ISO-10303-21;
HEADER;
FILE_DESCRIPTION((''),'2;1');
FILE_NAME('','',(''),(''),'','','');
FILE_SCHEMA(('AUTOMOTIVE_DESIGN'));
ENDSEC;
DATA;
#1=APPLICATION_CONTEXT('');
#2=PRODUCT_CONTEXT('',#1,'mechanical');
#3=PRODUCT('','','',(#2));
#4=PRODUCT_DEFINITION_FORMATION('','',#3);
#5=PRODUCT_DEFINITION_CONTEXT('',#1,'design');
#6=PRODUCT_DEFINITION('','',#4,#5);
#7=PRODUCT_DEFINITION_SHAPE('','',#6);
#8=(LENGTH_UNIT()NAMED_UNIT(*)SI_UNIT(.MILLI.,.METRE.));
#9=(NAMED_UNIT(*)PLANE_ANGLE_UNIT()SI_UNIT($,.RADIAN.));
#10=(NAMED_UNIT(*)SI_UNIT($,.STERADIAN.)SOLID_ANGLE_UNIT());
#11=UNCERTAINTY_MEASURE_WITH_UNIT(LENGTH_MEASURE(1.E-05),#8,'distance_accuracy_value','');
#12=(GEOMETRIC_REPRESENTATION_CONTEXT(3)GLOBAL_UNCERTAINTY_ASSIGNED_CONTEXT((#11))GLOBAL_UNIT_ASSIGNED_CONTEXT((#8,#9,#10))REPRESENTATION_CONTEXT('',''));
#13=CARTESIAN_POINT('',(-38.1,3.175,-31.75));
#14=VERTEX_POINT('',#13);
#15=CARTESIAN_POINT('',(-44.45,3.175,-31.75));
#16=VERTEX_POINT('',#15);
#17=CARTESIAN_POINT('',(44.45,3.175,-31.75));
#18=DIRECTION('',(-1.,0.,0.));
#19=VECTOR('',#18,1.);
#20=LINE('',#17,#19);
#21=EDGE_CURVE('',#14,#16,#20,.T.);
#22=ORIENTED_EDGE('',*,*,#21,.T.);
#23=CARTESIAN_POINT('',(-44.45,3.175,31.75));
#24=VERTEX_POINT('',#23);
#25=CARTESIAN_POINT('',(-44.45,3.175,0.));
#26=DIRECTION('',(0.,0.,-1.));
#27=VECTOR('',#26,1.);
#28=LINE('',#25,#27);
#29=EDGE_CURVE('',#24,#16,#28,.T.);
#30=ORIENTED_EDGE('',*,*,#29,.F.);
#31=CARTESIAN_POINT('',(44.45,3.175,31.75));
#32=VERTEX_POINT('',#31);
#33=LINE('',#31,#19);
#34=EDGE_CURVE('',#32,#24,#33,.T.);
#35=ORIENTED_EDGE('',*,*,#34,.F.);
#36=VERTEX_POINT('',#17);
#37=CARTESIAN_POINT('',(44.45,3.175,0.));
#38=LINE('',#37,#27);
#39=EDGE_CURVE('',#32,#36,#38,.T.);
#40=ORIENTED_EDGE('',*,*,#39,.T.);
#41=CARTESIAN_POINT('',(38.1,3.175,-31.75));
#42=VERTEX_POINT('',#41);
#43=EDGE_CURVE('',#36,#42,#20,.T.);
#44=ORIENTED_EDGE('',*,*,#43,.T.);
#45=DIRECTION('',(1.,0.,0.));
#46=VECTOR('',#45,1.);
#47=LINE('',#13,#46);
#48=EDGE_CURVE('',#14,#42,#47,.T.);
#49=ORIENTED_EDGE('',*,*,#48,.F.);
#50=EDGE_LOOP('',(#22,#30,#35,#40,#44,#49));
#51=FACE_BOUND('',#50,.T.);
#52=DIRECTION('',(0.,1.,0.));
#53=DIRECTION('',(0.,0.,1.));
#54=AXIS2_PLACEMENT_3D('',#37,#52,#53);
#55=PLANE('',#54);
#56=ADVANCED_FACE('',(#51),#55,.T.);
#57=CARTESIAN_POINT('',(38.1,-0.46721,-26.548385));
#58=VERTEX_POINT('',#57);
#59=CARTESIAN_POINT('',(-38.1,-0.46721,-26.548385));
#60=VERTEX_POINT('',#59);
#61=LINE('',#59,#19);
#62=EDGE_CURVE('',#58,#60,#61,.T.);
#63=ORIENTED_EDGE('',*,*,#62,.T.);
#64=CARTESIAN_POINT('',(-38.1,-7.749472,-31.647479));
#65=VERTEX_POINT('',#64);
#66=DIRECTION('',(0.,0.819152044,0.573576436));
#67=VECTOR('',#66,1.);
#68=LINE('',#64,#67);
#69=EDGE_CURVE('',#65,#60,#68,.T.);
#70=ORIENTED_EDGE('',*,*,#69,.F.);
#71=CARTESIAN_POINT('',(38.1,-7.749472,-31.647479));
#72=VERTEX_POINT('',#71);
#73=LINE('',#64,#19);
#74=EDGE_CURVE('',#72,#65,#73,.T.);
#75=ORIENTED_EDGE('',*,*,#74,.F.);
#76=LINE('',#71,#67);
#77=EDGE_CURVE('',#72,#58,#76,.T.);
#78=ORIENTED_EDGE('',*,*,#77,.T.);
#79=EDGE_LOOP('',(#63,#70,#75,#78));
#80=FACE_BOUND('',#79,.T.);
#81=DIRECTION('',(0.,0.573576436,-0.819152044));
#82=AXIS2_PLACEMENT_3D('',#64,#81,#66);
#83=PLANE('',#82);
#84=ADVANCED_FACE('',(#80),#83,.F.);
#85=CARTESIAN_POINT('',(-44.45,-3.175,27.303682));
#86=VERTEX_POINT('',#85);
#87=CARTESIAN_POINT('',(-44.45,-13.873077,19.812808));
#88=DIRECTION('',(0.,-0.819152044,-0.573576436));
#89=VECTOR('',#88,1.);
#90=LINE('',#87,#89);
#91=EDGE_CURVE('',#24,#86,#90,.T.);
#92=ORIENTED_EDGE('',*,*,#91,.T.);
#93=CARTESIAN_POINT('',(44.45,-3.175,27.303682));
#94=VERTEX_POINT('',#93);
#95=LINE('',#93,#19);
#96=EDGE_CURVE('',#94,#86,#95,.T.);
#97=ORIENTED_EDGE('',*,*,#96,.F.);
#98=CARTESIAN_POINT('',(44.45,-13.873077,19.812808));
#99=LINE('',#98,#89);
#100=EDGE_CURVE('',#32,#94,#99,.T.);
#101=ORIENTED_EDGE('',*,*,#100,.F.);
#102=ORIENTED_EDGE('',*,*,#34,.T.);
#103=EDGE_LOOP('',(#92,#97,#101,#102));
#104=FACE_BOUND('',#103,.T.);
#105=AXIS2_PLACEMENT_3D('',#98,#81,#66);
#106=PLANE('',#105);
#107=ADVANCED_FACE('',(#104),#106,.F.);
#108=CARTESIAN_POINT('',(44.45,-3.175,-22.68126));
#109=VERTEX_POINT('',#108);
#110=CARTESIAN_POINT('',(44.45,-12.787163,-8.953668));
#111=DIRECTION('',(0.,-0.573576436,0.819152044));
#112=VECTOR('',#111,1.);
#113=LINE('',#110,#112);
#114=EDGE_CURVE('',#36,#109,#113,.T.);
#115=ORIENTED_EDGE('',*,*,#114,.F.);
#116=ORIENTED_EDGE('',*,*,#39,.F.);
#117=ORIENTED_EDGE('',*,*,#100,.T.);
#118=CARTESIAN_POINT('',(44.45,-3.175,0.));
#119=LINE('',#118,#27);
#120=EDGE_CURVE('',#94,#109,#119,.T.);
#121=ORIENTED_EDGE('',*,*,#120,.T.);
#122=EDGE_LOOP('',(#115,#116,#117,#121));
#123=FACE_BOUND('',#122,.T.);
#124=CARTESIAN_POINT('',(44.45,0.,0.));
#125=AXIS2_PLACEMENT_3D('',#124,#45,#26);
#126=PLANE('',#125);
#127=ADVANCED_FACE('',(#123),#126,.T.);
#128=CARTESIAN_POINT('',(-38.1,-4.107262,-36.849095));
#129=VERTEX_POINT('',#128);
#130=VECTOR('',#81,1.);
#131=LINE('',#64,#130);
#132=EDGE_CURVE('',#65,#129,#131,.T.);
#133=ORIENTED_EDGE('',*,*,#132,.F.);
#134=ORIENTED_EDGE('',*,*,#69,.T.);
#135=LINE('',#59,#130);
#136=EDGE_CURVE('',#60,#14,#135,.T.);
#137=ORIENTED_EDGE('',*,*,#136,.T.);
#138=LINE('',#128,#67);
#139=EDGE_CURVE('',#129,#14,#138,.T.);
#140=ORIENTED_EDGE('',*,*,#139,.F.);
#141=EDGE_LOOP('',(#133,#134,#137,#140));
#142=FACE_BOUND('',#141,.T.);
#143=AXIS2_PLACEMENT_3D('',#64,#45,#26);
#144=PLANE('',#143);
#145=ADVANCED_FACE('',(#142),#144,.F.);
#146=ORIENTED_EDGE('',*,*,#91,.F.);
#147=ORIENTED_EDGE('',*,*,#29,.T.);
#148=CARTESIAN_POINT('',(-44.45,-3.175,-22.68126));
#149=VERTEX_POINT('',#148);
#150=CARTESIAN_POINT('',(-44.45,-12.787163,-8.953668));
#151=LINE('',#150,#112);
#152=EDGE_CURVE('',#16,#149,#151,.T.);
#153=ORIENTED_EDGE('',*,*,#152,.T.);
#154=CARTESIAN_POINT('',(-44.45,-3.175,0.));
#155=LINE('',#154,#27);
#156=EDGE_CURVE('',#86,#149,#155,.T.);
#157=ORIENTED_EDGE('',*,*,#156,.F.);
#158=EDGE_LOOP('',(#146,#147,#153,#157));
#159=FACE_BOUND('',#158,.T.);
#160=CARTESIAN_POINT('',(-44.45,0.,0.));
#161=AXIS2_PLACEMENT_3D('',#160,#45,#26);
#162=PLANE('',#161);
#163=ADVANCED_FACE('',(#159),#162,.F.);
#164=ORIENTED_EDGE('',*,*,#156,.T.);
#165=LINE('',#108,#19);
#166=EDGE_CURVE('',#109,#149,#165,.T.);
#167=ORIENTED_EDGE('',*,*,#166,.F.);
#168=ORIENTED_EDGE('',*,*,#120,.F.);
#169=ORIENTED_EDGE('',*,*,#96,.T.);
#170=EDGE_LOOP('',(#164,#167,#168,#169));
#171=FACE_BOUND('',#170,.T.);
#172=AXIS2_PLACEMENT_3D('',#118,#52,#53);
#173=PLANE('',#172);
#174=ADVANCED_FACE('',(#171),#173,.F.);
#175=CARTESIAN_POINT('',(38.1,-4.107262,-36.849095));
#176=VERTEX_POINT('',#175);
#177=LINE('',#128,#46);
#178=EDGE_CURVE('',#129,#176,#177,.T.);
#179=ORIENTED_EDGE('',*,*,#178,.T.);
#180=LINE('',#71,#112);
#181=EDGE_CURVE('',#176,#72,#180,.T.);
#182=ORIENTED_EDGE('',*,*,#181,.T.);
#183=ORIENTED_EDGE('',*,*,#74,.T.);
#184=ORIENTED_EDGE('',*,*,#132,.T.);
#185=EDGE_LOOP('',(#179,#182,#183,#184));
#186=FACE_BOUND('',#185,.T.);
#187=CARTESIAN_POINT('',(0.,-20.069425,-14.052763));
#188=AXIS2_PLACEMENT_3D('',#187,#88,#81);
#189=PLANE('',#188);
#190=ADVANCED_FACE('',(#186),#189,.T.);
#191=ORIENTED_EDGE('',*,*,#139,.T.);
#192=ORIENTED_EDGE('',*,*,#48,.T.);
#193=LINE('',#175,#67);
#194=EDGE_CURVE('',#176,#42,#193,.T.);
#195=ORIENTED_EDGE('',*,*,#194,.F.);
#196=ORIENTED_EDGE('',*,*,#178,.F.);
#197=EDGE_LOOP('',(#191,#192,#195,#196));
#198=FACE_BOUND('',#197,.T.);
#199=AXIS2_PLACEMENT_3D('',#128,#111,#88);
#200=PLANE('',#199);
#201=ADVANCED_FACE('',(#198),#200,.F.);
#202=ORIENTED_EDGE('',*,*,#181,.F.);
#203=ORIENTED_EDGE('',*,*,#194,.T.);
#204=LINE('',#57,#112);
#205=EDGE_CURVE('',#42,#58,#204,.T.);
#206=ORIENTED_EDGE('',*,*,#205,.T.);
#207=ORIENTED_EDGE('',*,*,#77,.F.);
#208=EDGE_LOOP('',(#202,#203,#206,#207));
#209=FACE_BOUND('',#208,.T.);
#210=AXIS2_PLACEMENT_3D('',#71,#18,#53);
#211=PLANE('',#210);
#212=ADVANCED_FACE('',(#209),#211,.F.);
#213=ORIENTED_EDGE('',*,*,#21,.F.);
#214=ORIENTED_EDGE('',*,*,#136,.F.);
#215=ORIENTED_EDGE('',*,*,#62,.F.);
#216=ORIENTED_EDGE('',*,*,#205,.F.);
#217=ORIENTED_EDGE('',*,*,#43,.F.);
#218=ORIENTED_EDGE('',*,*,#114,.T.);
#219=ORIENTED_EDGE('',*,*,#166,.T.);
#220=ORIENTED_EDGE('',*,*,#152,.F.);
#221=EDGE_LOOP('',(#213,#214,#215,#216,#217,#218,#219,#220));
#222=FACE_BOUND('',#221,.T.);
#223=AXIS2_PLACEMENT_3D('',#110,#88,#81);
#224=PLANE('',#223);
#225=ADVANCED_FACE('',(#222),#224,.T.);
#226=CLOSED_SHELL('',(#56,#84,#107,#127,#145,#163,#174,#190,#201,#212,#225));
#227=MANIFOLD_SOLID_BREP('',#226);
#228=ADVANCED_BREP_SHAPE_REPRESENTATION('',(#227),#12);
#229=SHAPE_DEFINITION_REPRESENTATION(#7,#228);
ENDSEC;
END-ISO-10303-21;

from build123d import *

# Parameters (mm, degrees)
BOSS_EXTRUDE2_DEPTH = 44.45
SKETCH4_W           = 76.2
SKETCH4_H           = 6.35
BOSS_EXTRUDE3_DEPTH = 8.89


with BuildPart() as part:
    # Sketch2 → Boss-Extrude2 (new body, symmetric)
    with BuildSketch(Plane(origin=(0, 0, 0), x_dir=(0, 0, -1), z_dir=(1, 0, 0))):
        Polygon((22.681260157, -3.175), (31.75, 3.175), (-31.75, 3.175), (-27.303682132, -3.175), align=None)
    extrude(amount=BOSS_EXTRUDE2_DEPTH, both=True)

    # Sketch4 → Boss-Extrude3 (add)
    with BuildSketch(Plane(origin=(0, -12.787163377, -8.953668189), x_dir=(1, 0, 0), z_dir=(0, -0.819152044, -0.573576436))):
        with Locations((0, -24.654182592)):
            Rectangle(SKETCH4_W, SKETCH4_H)
    extrude(amount=BOSS_EXTRUDE3_DEPTH)


solid = part.part
